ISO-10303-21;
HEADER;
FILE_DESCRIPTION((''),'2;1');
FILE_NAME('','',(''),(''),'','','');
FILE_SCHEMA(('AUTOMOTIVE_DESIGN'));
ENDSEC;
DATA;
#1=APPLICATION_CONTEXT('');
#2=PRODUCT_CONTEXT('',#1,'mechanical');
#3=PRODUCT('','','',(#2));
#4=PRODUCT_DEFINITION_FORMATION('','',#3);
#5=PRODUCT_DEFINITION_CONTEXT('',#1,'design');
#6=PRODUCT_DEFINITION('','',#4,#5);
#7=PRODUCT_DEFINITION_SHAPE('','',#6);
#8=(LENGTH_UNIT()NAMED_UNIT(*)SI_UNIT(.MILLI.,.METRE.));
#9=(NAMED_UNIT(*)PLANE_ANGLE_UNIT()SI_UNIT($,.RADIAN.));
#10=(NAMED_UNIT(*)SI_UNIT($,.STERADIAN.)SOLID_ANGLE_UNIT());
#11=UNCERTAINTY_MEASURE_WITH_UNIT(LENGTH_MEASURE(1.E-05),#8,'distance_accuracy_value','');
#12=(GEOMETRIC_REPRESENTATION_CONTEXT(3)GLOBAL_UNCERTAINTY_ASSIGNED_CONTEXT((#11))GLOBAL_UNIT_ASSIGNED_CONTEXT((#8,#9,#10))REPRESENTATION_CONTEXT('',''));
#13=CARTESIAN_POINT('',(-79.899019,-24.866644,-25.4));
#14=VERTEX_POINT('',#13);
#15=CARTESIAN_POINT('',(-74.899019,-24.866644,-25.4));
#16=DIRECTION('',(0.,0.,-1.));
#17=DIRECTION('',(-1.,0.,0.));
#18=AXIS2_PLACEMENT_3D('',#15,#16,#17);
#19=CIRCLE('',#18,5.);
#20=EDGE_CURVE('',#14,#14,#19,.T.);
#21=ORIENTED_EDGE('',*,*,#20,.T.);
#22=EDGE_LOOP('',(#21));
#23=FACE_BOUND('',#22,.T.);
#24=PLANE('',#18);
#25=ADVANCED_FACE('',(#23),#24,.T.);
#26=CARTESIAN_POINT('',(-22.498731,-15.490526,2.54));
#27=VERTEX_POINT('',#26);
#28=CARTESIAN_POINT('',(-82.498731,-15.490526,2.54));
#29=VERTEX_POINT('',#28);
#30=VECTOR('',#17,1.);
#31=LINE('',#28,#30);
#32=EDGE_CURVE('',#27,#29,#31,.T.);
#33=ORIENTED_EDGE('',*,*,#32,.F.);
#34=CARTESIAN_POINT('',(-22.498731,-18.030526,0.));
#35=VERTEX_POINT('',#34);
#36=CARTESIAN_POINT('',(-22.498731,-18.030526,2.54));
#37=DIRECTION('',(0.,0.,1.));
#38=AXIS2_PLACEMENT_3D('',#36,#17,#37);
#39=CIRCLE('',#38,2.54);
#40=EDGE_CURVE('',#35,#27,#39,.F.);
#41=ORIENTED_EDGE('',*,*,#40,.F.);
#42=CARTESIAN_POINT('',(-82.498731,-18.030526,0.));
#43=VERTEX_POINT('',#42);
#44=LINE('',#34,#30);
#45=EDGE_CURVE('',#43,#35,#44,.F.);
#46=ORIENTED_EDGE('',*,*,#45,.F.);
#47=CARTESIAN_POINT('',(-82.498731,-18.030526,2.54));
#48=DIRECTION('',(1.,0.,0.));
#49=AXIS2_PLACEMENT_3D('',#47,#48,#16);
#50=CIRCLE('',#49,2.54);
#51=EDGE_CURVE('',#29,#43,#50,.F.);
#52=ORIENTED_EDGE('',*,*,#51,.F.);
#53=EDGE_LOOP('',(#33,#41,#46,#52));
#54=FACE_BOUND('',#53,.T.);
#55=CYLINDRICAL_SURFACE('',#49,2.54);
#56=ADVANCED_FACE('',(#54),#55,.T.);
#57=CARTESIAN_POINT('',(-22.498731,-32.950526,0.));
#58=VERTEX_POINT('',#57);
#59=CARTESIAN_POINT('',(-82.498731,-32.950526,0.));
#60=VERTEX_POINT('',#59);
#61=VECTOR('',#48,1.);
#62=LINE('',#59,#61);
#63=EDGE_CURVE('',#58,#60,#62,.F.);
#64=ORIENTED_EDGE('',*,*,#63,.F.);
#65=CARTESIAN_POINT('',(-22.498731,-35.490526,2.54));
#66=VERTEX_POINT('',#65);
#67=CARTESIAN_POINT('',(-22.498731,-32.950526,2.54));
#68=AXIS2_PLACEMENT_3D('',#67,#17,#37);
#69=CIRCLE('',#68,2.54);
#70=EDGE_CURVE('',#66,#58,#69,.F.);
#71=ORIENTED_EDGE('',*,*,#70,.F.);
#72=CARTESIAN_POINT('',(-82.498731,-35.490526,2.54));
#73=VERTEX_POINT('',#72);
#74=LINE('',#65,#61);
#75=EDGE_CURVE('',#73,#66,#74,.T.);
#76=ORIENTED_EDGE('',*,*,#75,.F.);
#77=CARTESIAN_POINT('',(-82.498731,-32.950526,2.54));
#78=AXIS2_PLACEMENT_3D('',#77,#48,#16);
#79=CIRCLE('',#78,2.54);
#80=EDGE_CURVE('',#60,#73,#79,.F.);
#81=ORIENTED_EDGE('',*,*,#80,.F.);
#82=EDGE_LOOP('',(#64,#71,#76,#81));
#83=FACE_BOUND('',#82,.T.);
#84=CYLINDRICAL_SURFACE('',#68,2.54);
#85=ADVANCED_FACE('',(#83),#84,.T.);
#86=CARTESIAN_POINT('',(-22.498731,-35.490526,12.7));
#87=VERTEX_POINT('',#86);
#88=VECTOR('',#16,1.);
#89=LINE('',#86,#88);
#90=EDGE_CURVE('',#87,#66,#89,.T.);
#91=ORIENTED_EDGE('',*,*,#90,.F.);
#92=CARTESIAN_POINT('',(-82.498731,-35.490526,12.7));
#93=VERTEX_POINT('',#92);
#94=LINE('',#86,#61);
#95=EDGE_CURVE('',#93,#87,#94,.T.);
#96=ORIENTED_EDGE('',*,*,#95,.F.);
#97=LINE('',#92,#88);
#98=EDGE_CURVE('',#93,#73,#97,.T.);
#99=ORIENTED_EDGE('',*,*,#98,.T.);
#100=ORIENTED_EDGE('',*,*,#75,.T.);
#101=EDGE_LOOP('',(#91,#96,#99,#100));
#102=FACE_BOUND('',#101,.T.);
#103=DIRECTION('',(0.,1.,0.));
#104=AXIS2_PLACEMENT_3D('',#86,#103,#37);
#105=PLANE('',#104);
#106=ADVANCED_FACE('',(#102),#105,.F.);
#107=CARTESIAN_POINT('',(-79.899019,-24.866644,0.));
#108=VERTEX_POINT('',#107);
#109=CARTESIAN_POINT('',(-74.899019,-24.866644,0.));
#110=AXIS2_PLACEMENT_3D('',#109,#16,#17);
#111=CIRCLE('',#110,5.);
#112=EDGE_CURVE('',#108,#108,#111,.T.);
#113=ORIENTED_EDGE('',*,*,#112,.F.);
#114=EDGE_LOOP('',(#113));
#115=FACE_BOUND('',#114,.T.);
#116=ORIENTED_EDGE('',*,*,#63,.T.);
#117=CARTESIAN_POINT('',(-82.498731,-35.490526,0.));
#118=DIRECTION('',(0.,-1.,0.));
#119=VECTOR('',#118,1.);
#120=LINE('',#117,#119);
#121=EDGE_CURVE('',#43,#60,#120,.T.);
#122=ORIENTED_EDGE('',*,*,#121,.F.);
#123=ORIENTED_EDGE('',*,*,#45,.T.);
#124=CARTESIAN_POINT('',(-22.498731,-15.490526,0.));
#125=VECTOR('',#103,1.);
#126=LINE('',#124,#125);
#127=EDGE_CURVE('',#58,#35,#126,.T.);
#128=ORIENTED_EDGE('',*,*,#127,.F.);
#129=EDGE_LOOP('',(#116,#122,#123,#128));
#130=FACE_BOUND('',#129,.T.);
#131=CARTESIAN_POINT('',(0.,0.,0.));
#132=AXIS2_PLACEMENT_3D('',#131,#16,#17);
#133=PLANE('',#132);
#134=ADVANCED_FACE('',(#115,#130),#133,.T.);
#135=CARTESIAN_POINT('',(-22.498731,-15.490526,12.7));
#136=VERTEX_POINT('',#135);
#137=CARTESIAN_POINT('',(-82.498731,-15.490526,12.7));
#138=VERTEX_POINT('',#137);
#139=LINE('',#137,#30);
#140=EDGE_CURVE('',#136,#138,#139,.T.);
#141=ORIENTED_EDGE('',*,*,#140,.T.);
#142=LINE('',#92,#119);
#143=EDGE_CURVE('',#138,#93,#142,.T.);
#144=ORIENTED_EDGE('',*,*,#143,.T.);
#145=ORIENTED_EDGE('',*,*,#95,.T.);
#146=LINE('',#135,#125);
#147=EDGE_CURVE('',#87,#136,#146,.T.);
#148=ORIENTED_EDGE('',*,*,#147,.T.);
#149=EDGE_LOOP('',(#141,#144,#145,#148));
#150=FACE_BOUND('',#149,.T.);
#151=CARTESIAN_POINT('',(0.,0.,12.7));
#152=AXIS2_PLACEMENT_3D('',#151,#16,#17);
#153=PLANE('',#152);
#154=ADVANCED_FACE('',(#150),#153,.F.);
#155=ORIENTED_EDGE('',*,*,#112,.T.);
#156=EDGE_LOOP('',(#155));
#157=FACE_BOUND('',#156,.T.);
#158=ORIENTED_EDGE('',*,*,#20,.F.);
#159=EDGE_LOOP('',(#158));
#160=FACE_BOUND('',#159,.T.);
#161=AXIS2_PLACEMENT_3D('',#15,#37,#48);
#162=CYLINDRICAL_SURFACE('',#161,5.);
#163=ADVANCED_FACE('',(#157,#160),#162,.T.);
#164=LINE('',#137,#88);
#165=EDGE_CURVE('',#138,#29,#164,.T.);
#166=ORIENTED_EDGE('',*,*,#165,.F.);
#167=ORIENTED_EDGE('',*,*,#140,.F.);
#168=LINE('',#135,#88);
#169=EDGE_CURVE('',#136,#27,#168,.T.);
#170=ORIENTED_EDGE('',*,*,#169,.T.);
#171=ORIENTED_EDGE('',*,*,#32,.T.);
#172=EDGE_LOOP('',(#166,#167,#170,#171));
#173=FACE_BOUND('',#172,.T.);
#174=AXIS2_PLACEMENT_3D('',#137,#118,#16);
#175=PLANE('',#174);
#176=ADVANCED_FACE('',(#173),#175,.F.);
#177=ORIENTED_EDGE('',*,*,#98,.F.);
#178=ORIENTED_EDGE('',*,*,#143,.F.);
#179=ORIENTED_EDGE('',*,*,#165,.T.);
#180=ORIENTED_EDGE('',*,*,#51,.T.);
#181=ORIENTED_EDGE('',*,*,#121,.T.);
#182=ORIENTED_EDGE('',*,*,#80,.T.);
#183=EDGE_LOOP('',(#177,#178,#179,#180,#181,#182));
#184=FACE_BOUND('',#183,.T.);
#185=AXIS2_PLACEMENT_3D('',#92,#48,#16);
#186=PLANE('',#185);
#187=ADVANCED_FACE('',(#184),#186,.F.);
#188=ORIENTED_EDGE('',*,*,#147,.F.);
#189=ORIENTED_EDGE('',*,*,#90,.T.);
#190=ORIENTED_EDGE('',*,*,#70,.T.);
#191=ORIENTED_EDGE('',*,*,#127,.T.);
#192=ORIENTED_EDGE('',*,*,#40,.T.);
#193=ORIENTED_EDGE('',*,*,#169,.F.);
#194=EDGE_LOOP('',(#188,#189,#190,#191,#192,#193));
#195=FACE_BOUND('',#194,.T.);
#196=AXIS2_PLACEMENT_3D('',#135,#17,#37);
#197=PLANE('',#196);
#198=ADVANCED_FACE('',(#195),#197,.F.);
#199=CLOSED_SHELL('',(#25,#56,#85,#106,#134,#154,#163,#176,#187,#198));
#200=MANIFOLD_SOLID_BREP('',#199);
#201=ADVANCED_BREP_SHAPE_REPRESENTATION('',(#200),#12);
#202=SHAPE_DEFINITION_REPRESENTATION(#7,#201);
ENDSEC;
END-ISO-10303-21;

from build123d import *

# Parameters (mm, degrees)
SKETCH1_W           = 60
SKETCH1_H           = 20
BOSS_EXTRUDE2_DEPTH = 12.7
FILLET1_R           = 2.54
FILLET2_R           = 2.54
SKETCH2_R           = 5
BOSS_EXTRUDE3_DEPTH = 25.4


with BuildPart() as part:
    # Sketch1 → Boss-Extrude2 (new body)
    with BuildSketch(Plane.XY):
        with Locations((-52.498731257, -25.490525622)):
            Rectangle(SKETCH1_W, SKETCH1_H)
    extrude(amount=BOSS_EXTRUDE2_DEPTH)

    # Fillet1
    fillet1_edges = [part.edges().sort_by_distance(p)[0] for p in [
        (-52.498731257, -35.490525622, 0),
    ]]
    fillet(fillet1_edges, radius=FILLET1_R)

    # Fillet2
    fillet2_edges = [part.edges().sort_by_distance(p)[0] for p in [
        (-52.498731257, -15.490525622, 0),
    ]]
    fillet(fillet2_edges, radius=FILLET2_R)

    # Sketch2 → Boss-Extrude3 (add)
    with BuildSketch(Plane(origin=(0, 0, 0), x_dir=(-1, 0, 0), z_dir=(0, 0, -1))):
        with Locations((74.89901914, -24.866644028)):
            Circle(SKETCH2_R)
    extrude(amount=BOSS_EXTRUDE3_DEPTH)


solid = part.part
